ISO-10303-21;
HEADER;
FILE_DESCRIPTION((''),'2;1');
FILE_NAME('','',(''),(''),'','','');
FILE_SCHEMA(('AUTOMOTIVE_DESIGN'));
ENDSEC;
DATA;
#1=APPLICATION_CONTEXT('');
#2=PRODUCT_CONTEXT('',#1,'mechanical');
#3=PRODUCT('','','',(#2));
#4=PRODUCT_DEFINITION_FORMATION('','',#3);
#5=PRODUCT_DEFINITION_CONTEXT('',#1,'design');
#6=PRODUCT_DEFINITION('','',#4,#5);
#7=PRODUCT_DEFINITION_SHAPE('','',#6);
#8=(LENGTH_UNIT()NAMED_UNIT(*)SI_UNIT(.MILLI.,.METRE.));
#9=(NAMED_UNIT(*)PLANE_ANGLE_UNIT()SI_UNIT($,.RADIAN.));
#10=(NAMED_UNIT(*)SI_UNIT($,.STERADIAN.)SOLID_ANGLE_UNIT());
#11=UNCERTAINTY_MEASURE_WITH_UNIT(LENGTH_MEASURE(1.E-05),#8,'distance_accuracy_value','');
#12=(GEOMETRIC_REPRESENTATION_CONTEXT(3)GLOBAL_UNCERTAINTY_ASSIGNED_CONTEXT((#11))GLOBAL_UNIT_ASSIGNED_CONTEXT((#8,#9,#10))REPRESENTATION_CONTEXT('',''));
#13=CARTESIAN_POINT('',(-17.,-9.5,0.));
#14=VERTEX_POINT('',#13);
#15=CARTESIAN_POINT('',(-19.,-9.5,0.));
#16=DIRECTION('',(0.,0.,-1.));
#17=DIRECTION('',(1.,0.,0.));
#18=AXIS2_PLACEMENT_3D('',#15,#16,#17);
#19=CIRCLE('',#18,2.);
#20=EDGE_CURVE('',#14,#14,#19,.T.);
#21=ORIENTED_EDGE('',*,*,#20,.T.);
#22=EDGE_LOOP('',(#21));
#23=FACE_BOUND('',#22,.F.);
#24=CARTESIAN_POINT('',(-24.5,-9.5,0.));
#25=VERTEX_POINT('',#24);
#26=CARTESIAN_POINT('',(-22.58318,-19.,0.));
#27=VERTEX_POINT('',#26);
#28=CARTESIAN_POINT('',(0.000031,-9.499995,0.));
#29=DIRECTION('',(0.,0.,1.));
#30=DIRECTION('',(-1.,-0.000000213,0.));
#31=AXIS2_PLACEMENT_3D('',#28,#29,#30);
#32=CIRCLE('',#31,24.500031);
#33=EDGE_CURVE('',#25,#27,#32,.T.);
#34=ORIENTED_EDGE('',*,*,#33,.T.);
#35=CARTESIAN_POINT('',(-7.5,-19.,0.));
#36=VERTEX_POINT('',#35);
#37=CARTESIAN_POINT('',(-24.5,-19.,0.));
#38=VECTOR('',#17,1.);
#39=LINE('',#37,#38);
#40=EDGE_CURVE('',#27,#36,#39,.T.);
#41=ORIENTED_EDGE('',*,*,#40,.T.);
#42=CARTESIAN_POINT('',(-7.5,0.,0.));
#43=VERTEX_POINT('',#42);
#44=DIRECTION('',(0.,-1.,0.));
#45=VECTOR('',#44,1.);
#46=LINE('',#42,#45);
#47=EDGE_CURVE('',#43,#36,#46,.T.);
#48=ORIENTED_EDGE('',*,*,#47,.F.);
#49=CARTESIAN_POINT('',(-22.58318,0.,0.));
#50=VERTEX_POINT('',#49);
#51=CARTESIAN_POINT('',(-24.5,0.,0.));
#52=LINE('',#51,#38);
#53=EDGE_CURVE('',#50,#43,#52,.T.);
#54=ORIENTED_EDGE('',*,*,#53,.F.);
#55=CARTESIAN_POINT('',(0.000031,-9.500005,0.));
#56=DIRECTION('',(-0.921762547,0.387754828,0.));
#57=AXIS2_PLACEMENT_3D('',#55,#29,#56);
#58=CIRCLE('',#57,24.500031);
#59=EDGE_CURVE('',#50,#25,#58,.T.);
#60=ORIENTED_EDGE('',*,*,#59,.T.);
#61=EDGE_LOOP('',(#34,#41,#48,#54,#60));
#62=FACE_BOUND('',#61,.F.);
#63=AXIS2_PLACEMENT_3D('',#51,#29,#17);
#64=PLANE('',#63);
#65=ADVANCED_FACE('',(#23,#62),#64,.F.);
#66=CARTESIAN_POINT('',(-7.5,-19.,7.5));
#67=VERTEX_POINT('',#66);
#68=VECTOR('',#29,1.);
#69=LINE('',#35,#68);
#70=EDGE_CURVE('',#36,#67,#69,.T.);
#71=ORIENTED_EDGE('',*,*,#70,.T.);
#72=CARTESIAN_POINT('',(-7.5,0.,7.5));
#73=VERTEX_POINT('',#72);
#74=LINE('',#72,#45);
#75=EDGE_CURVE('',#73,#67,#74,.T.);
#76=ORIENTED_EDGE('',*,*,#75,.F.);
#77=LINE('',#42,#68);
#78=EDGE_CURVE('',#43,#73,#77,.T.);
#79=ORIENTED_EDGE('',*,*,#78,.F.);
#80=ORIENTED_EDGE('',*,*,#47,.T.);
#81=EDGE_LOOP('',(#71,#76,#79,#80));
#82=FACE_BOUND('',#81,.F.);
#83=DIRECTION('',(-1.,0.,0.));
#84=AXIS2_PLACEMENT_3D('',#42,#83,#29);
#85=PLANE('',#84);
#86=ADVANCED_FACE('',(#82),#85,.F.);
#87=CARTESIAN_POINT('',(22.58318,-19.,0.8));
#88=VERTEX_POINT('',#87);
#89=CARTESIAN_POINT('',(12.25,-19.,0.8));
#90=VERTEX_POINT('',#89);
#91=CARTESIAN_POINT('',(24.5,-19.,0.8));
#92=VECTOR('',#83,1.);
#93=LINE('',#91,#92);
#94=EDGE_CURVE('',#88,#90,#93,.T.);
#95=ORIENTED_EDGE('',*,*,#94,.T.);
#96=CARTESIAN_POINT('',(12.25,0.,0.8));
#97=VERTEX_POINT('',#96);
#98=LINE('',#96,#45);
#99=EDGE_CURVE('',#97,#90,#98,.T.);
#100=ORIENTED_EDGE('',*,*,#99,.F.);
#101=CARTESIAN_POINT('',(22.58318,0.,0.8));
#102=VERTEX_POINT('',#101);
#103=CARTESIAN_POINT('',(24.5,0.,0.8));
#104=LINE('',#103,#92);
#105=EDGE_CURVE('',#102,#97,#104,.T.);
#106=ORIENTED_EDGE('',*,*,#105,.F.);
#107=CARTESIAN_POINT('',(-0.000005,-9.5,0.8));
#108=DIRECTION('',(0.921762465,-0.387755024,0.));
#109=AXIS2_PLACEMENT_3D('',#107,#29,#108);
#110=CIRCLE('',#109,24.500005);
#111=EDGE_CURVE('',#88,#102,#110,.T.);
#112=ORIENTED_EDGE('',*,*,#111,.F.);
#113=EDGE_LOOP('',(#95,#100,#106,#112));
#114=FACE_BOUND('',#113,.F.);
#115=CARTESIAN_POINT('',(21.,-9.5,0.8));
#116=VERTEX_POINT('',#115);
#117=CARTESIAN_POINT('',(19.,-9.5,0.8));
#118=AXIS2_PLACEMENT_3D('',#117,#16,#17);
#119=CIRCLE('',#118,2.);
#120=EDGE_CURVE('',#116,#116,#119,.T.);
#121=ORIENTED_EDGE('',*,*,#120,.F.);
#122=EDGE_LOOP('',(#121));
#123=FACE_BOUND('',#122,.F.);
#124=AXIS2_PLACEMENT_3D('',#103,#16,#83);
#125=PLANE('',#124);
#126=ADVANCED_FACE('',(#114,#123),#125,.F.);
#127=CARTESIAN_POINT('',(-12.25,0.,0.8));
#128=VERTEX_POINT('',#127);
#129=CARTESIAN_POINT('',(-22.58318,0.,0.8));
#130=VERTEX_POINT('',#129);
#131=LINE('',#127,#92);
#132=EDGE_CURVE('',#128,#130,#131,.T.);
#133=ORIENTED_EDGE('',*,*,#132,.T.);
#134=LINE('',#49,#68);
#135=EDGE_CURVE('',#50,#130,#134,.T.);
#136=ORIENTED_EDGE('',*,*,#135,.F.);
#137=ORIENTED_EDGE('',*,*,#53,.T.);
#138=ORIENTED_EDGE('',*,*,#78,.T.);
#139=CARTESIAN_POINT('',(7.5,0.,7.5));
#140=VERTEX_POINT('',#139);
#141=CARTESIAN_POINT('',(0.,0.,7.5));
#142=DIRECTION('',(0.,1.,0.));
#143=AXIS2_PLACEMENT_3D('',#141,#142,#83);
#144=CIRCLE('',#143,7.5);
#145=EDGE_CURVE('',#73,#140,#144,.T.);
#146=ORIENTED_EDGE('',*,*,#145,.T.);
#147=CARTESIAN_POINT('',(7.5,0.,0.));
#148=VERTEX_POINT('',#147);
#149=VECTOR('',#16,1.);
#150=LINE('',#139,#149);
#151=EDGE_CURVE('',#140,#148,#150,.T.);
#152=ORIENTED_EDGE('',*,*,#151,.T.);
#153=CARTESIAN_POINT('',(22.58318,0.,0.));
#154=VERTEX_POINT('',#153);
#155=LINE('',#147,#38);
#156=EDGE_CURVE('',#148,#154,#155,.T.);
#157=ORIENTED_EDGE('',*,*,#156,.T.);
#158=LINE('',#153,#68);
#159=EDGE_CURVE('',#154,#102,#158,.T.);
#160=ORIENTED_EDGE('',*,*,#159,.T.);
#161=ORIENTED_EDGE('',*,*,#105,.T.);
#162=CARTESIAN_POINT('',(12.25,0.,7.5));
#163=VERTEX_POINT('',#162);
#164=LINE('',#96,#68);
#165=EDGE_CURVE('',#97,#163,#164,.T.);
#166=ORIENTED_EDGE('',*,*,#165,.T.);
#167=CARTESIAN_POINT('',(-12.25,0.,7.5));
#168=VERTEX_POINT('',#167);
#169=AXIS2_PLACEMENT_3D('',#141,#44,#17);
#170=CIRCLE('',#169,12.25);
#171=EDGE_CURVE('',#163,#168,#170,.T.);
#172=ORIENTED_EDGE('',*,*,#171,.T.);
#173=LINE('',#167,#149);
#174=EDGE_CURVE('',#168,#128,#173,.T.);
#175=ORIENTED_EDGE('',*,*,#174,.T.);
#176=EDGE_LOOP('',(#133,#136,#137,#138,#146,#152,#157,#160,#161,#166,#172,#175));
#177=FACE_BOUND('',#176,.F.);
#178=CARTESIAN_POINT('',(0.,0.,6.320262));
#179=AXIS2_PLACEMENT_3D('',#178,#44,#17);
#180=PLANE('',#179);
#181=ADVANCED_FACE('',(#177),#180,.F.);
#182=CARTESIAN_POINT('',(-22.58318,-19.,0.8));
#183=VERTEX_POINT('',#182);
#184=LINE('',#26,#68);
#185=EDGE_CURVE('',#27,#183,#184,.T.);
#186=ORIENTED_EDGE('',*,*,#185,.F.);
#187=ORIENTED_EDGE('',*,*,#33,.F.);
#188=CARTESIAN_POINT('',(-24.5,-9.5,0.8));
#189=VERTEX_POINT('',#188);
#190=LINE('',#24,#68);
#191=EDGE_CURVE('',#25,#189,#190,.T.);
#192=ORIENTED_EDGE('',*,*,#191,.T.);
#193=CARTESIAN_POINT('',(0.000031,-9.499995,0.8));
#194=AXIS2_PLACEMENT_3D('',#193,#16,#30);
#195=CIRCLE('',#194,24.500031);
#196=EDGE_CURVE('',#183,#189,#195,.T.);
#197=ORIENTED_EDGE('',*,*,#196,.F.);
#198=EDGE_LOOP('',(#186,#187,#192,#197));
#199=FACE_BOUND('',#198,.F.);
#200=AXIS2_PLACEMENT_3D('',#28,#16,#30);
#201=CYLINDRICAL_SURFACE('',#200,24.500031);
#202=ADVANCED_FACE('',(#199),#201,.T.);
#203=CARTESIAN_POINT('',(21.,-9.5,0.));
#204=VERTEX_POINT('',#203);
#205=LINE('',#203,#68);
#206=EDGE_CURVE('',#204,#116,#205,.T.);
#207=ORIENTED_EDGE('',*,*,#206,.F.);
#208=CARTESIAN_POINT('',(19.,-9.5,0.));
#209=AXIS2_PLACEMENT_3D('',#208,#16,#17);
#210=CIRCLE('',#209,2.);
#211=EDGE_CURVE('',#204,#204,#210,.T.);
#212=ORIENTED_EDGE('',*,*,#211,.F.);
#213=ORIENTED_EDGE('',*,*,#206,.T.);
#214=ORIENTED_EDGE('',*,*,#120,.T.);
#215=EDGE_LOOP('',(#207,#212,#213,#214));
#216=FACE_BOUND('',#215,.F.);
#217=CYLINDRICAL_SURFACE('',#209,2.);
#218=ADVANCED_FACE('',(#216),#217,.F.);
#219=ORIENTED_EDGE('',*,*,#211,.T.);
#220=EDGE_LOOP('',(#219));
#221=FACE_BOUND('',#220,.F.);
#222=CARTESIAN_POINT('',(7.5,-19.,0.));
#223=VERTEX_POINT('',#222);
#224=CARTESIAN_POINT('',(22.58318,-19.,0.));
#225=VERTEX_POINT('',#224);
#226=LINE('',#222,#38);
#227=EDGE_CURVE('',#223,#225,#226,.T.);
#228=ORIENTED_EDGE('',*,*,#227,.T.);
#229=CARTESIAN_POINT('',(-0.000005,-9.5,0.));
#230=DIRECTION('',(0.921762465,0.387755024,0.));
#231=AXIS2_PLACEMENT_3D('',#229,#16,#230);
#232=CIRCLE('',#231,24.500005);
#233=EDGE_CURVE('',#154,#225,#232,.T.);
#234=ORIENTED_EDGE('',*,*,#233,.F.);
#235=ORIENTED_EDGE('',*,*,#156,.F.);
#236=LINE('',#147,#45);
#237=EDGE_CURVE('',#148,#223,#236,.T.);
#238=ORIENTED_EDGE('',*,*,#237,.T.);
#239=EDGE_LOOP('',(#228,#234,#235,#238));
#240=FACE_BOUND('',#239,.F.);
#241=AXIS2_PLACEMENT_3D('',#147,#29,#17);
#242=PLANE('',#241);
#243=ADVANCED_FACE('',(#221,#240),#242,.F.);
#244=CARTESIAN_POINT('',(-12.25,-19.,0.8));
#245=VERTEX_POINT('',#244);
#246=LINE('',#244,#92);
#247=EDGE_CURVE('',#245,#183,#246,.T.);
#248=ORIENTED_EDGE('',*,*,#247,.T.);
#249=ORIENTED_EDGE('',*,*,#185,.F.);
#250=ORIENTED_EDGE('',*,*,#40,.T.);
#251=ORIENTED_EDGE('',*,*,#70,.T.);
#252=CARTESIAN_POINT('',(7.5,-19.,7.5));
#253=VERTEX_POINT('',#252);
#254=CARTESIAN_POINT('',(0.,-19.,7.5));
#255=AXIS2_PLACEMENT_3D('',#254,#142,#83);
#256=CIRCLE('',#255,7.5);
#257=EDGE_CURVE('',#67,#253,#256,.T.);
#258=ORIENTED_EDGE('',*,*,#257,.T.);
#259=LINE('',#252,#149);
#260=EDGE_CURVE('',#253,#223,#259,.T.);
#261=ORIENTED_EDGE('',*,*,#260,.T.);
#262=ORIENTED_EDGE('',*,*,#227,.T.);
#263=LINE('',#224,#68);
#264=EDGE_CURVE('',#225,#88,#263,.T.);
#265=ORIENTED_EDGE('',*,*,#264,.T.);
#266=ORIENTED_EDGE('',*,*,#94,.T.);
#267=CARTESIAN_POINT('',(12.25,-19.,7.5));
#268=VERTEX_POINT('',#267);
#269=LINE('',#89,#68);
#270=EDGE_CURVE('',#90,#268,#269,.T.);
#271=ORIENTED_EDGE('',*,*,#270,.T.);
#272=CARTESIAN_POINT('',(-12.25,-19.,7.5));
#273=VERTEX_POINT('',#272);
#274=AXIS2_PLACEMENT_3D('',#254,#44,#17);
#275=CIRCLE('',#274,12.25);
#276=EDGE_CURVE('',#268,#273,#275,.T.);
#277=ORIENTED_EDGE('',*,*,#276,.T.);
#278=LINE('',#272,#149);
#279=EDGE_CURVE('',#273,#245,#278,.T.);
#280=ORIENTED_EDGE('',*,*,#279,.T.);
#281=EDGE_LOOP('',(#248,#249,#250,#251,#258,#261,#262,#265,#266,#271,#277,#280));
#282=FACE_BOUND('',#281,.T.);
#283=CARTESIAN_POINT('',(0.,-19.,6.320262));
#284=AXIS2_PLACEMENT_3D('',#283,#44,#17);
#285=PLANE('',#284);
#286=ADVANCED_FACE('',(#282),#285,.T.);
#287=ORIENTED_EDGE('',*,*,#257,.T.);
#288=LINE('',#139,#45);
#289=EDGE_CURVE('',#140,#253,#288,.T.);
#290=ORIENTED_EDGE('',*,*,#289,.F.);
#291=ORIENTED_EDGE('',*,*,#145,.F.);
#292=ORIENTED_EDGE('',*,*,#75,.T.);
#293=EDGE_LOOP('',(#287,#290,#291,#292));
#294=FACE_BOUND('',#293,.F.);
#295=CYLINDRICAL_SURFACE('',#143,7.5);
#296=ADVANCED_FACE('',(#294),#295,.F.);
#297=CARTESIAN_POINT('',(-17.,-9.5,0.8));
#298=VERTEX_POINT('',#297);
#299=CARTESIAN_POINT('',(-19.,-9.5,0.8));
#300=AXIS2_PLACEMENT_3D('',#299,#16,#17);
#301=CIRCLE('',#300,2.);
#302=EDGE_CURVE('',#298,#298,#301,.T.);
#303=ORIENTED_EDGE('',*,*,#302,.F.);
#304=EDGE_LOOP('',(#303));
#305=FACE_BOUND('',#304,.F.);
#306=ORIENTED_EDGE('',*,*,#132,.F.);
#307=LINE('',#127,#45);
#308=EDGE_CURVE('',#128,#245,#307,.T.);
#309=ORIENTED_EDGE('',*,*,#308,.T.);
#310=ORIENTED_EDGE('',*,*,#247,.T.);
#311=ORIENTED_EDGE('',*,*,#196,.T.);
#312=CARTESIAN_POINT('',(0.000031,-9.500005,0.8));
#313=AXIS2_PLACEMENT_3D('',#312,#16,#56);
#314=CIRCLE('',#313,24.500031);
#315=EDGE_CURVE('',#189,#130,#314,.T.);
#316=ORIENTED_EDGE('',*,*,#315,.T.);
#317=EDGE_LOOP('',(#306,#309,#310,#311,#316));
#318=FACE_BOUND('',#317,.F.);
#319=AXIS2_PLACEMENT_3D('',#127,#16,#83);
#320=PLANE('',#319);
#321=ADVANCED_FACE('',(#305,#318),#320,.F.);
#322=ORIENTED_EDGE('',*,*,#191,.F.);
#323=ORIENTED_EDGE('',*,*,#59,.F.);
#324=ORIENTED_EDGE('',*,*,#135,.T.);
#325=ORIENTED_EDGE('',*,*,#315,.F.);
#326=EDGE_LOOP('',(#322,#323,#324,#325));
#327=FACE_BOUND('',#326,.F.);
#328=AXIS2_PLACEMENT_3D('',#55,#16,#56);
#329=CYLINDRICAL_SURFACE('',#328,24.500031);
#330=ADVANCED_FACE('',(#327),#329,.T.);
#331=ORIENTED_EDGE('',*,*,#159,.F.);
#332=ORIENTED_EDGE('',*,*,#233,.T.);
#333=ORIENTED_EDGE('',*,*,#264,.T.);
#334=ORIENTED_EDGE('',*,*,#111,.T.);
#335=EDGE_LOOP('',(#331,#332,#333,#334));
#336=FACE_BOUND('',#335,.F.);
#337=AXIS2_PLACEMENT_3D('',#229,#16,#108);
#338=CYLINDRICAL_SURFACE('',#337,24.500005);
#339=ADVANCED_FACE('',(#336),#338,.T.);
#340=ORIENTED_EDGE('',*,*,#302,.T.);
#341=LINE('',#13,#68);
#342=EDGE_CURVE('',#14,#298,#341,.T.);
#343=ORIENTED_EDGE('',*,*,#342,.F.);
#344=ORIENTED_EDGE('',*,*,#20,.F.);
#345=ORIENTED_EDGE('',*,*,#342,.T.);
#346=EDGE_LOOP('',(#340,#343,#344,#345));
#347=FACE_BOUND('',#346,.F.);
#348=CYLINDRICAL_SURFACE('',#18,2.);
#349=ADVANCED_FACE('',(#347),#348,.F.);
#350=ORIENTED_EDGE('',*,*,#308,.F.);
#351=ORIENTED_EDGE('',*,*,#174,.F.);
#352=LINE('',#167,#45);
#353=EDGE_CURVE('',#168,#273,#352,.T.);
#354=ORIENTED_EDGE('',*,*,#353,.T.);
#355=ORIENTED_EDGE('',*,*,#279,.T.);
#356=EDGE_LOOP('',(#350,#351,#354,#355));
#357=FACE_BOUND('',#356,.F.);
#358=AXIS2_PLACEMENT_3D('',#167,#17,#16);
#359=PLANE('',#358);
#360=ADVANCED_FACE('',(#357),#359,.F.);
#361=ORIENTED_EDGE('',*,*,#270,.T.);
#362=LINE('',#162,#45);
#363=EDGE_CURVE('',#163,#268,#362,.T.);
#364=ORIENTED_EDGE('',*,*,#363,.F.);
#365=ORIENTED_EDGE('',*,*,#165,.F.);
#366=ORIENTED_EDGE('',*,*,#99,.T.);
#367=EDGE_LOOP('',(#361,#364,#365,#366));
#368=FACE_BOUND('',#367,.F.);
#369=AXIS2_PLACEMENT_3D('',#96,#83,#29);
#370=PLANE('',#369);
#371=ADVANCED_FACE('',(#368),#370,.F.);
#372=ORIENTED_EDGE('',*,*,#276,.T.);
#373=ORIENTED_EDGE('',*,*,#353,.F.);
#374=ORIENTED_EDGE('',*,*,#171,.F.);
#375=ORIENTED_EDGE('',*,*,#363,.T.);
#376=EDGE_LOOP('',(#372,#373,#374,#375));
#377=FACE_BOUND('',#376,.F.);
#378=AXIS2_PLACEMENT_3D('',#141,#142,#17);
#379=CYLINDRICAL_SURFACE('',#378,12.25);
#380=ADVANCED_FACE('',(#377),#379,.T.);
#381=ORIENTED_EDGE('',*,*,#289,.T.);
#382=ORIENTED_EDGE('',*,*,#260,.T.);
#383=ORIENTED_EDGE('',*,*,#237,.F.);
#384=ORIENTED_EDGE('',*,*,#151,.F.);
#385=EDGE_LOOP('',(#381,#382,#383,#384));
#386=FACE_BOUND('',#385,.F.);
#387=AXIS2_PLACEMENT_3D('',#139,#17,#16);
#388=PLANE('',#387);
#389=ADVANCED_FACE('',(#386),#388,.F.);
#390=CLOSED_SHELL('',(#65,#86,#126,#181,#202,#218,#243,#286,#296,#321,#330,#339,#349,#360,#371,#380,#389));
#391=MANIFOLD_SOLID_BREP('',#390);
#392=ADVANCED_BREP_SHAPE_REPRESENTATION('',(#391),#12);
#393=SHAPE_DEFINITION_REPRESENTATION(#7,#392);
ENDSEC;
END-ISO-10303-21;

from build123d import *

# Parameters (mm, degrees)
F1_DEPTH = 19
F2_R     = 2
F3_DEPTH = 25


with BuildPart() as f1:
    # F0 (on Front) → F1 (new body)
    with BuildSketch(Plane.XZ):
        with BuildLine():
            ThreePointArc((-7.5, 7.5), (0, 15), (7.5, 7.5))
            Line((7.5, 7.5), (7.5, 0))
            Line((7.5, 0), (24.5, 0))
            Line((24.5, 0), (24.5, 0.8))
            Line((24.5, 0.8), (12.25, 0.8))
            Line((12.25, 0.8), (12.25, 7.5))
            ThreePointArc((12.25, 7.5), (0, 19.75), (-12.25, 7.5))
            Line((-12.25, 7.5), (-12.25, 0.8))
            Line((-12.25, 0.8), (-24.5, 0.8))
            Line((-24.5, 0.8), (-24.5, 0))
            Line((-24.5, 0), (-7.5, 0))
            Line((-7.5, 0), (-7.5, 7.5))
        make_face()
    extrude(amount=F1_DEPTH)

    # F2 (on face) → F3 (cut)
    with BuildSketch(Plane(origin=(0, 0, 0), x_dir=(1, 0, 0), z_dir=(0, 0, -1))):
        with Locations((-19, 9.5)):
            Circle(F2_R)
        with Locations((19, 9.5)):
            Circle(F2_R)
        with BuildLine():
            ThreePointArc((-22.58318, 0), (-24.016014, 4.654275), (-24.5, 9.5))
            Line((-24.5, 9.5), (-24.5, 0))
            Line((-24.5, 0), (-22.58318, 0))
        make_face()
        with BuildLine():
            ThreePointArc((-24.5, 9.5), (-24.016014, 14.345725), (-22.58318, 19))
            Line((-22.58318, 19), (-24.5, 19))
            Line((-24.5, 19), (-24.5, 9.5))
        make_face()
        with BuildLine():
            ThreePointArc((22.58318, 19), (24.5, 9.5), (22.58318, 0))
            Line((22.58318, 0), (24.50018, 0))
            Line((24.50018, 0), (24.50018, 19))
            Line((24.50018, 19), (22.58318, 19))
        make_face()
    extrude(amount=-F3_DEPTH, mode=Mode.SUBTRACT)


solid = f1.part
